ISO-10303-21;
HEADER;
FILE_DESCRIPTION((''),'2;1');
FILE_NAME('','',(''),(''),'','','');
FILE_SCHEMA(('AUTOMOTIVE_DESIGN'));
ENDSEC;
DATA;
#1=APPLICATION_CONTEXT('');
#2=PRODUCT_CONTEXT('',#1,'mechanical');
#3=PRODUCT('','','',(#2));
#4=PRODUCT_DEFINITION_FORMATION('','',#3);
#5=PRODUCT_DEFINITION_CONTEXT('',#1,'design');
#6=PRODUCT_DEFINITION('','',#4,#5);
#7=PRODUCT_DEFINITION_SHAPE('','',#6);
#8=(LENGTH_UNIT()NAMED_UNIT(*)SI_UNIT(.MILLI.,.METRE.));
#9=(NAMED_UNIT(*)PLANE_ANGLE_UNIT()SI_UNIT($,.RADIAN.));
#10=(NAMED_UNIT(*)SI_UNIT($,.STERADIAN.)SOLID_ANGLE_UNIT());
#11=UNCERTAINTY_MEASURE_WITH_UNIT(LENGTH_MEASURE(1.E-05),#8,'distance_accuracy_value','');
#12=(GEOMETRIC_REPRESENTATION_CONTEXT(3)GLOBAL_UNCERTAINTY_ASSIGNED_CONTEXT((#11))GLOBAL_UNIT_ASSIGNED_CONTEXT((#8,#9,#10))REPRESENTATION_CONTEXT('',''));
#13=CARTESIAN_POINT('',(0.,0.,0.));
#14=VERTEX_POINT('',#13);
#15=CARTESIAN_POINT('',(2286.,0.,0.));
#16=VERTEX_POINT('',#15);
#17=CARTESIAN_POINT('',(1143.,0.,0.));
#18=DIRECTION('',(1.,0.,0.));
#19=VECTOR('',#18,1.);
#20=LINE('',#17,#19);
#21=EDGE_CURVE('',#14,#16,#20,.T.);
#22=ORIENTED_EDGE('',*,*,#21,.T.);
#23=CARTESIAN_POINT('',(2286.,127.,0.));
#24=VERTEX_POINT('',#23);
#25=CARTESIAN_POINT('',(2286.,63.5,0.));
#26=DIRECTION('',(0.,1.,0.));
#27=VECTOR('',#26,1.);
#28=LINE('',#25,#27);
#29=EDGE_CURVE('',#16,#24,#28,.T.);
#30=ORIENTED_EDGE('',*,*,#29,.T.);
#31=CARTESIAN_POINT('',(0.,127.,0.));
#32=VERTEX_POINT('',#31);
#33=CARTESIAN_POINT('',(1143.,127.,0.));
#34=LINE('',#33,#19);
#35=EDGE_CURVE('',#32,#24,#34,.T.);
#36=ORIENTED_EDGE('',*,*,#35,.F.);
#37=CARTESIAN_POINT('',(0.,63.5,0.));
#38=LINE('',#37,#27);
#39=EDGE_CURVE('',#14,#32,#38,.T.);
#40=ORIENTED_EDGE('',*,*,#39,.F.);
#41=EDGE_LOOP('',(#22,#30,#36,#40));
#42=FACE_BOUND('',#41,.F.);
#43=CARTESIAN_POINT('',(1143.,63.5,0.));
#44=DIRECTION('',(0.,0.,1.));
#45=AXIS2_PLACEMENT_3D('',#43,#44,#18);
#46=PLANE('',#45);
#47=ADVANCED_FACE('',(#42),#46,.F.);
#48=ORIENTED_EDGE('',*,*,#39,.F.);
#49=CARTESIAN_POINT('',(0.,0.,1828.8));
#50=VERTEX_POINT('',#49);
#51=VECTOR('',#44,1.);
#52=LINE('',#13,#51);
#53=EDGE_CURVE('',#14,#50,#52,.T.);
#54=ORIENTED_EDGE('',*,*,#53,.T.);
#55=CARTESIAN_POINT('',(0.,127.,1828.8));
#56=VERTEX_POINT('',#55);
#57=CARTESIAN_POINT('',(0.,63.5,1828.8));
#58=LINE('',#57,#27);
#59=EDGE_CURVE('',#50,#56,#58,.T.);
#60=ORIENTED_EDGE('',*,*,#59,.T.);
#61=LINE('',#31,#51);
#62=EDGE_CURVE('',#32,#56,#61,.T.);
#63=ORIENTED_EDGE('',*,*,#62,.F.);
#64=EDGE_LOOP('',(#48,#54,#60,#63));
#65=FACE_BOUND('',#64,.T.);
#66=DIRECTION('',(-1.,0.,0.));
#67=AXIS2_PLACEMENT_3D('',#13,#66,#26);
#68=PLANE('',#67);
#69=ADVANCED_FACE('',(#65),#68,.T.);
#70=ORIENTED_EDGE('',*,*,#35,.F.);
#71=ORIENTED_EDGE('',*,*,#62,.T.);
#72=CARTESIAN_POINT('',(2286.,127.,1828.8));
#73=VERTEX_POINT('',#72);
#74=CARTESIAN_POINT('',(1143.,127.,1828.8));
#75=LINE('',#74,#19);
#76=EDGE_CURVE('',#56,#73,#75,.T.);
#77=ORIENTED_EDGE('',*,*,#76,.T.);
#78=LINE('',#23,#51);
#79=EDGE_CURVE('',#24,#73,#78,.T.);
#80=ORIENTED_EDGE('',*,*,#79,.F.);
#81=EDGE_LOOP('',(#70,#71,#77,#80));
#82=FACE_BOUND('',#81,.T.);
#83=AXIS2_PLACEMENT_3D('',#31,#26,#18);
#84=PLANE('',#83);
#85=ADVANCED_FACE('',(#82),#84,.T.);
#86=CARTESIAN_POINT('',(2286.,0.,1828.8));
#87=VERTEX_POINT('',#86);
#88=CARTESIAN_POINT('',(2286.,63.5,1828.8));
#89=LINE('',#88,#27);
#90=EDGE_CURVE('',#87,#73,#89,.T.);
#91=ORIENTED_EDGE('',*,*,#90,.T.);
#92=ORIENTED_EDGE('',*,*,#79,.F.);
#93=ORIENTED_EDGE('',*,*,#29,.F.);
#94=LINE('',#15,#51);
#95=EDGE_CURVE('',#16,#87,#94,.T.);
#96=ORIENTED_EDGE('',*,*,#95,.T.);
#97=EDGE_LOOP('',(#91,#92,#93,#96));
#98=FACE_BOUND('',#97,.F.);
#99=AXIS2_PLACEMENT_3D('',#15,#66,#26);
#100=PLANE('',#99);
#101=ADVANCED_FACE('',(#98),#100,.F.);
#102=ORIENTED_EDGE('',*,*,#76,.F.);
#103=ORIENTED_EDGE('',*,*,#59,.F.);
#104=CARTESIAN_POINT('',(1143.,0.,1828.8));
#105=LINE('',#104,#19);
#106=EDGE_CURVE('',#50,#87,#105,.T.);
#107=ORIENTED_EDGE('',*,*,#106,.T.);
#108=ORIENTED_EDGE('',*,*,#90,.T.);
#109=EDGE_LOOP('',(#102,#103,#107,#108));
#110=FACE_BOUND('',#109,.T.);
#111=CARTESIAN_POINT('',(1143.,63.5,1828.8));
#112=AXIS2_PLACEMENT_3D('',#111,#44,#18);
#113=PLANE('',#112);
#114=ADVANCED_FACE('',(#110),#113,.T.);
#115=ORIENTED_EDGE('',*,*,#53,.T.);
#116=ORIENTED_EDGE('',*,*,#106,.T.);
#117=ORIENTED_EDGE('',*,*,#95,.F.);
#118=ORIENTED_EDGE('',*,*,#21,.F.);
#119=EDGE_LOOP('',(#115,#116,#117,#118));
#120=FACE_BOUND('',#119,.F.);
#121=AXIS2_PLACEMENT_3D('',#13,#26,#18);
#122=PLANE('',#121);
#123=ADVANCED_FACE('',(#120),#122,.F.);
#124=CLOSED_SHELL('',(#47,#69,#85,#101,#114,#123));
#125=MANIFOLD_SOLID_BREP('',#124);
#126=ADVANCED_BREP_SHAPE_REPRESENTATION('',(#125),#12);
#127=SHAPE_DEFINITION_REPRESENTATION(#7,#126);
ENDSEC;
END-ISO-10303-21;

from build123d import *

# Parameters (mm, degrees)
SKETCH_W  = 2286
SKETCH_H  = 127
PAD_DEPTH = 1828.8


with BuildPart() as part:
    # Sketch → Pad (new body)
    with BuildSketch(Plane.XY):
        with Locations((1143, 63.5)):
            Rectangle(SKETCH_W, SKETCH_H)
    extrude(amount=PAD_DEPTH)


solid = part.part
